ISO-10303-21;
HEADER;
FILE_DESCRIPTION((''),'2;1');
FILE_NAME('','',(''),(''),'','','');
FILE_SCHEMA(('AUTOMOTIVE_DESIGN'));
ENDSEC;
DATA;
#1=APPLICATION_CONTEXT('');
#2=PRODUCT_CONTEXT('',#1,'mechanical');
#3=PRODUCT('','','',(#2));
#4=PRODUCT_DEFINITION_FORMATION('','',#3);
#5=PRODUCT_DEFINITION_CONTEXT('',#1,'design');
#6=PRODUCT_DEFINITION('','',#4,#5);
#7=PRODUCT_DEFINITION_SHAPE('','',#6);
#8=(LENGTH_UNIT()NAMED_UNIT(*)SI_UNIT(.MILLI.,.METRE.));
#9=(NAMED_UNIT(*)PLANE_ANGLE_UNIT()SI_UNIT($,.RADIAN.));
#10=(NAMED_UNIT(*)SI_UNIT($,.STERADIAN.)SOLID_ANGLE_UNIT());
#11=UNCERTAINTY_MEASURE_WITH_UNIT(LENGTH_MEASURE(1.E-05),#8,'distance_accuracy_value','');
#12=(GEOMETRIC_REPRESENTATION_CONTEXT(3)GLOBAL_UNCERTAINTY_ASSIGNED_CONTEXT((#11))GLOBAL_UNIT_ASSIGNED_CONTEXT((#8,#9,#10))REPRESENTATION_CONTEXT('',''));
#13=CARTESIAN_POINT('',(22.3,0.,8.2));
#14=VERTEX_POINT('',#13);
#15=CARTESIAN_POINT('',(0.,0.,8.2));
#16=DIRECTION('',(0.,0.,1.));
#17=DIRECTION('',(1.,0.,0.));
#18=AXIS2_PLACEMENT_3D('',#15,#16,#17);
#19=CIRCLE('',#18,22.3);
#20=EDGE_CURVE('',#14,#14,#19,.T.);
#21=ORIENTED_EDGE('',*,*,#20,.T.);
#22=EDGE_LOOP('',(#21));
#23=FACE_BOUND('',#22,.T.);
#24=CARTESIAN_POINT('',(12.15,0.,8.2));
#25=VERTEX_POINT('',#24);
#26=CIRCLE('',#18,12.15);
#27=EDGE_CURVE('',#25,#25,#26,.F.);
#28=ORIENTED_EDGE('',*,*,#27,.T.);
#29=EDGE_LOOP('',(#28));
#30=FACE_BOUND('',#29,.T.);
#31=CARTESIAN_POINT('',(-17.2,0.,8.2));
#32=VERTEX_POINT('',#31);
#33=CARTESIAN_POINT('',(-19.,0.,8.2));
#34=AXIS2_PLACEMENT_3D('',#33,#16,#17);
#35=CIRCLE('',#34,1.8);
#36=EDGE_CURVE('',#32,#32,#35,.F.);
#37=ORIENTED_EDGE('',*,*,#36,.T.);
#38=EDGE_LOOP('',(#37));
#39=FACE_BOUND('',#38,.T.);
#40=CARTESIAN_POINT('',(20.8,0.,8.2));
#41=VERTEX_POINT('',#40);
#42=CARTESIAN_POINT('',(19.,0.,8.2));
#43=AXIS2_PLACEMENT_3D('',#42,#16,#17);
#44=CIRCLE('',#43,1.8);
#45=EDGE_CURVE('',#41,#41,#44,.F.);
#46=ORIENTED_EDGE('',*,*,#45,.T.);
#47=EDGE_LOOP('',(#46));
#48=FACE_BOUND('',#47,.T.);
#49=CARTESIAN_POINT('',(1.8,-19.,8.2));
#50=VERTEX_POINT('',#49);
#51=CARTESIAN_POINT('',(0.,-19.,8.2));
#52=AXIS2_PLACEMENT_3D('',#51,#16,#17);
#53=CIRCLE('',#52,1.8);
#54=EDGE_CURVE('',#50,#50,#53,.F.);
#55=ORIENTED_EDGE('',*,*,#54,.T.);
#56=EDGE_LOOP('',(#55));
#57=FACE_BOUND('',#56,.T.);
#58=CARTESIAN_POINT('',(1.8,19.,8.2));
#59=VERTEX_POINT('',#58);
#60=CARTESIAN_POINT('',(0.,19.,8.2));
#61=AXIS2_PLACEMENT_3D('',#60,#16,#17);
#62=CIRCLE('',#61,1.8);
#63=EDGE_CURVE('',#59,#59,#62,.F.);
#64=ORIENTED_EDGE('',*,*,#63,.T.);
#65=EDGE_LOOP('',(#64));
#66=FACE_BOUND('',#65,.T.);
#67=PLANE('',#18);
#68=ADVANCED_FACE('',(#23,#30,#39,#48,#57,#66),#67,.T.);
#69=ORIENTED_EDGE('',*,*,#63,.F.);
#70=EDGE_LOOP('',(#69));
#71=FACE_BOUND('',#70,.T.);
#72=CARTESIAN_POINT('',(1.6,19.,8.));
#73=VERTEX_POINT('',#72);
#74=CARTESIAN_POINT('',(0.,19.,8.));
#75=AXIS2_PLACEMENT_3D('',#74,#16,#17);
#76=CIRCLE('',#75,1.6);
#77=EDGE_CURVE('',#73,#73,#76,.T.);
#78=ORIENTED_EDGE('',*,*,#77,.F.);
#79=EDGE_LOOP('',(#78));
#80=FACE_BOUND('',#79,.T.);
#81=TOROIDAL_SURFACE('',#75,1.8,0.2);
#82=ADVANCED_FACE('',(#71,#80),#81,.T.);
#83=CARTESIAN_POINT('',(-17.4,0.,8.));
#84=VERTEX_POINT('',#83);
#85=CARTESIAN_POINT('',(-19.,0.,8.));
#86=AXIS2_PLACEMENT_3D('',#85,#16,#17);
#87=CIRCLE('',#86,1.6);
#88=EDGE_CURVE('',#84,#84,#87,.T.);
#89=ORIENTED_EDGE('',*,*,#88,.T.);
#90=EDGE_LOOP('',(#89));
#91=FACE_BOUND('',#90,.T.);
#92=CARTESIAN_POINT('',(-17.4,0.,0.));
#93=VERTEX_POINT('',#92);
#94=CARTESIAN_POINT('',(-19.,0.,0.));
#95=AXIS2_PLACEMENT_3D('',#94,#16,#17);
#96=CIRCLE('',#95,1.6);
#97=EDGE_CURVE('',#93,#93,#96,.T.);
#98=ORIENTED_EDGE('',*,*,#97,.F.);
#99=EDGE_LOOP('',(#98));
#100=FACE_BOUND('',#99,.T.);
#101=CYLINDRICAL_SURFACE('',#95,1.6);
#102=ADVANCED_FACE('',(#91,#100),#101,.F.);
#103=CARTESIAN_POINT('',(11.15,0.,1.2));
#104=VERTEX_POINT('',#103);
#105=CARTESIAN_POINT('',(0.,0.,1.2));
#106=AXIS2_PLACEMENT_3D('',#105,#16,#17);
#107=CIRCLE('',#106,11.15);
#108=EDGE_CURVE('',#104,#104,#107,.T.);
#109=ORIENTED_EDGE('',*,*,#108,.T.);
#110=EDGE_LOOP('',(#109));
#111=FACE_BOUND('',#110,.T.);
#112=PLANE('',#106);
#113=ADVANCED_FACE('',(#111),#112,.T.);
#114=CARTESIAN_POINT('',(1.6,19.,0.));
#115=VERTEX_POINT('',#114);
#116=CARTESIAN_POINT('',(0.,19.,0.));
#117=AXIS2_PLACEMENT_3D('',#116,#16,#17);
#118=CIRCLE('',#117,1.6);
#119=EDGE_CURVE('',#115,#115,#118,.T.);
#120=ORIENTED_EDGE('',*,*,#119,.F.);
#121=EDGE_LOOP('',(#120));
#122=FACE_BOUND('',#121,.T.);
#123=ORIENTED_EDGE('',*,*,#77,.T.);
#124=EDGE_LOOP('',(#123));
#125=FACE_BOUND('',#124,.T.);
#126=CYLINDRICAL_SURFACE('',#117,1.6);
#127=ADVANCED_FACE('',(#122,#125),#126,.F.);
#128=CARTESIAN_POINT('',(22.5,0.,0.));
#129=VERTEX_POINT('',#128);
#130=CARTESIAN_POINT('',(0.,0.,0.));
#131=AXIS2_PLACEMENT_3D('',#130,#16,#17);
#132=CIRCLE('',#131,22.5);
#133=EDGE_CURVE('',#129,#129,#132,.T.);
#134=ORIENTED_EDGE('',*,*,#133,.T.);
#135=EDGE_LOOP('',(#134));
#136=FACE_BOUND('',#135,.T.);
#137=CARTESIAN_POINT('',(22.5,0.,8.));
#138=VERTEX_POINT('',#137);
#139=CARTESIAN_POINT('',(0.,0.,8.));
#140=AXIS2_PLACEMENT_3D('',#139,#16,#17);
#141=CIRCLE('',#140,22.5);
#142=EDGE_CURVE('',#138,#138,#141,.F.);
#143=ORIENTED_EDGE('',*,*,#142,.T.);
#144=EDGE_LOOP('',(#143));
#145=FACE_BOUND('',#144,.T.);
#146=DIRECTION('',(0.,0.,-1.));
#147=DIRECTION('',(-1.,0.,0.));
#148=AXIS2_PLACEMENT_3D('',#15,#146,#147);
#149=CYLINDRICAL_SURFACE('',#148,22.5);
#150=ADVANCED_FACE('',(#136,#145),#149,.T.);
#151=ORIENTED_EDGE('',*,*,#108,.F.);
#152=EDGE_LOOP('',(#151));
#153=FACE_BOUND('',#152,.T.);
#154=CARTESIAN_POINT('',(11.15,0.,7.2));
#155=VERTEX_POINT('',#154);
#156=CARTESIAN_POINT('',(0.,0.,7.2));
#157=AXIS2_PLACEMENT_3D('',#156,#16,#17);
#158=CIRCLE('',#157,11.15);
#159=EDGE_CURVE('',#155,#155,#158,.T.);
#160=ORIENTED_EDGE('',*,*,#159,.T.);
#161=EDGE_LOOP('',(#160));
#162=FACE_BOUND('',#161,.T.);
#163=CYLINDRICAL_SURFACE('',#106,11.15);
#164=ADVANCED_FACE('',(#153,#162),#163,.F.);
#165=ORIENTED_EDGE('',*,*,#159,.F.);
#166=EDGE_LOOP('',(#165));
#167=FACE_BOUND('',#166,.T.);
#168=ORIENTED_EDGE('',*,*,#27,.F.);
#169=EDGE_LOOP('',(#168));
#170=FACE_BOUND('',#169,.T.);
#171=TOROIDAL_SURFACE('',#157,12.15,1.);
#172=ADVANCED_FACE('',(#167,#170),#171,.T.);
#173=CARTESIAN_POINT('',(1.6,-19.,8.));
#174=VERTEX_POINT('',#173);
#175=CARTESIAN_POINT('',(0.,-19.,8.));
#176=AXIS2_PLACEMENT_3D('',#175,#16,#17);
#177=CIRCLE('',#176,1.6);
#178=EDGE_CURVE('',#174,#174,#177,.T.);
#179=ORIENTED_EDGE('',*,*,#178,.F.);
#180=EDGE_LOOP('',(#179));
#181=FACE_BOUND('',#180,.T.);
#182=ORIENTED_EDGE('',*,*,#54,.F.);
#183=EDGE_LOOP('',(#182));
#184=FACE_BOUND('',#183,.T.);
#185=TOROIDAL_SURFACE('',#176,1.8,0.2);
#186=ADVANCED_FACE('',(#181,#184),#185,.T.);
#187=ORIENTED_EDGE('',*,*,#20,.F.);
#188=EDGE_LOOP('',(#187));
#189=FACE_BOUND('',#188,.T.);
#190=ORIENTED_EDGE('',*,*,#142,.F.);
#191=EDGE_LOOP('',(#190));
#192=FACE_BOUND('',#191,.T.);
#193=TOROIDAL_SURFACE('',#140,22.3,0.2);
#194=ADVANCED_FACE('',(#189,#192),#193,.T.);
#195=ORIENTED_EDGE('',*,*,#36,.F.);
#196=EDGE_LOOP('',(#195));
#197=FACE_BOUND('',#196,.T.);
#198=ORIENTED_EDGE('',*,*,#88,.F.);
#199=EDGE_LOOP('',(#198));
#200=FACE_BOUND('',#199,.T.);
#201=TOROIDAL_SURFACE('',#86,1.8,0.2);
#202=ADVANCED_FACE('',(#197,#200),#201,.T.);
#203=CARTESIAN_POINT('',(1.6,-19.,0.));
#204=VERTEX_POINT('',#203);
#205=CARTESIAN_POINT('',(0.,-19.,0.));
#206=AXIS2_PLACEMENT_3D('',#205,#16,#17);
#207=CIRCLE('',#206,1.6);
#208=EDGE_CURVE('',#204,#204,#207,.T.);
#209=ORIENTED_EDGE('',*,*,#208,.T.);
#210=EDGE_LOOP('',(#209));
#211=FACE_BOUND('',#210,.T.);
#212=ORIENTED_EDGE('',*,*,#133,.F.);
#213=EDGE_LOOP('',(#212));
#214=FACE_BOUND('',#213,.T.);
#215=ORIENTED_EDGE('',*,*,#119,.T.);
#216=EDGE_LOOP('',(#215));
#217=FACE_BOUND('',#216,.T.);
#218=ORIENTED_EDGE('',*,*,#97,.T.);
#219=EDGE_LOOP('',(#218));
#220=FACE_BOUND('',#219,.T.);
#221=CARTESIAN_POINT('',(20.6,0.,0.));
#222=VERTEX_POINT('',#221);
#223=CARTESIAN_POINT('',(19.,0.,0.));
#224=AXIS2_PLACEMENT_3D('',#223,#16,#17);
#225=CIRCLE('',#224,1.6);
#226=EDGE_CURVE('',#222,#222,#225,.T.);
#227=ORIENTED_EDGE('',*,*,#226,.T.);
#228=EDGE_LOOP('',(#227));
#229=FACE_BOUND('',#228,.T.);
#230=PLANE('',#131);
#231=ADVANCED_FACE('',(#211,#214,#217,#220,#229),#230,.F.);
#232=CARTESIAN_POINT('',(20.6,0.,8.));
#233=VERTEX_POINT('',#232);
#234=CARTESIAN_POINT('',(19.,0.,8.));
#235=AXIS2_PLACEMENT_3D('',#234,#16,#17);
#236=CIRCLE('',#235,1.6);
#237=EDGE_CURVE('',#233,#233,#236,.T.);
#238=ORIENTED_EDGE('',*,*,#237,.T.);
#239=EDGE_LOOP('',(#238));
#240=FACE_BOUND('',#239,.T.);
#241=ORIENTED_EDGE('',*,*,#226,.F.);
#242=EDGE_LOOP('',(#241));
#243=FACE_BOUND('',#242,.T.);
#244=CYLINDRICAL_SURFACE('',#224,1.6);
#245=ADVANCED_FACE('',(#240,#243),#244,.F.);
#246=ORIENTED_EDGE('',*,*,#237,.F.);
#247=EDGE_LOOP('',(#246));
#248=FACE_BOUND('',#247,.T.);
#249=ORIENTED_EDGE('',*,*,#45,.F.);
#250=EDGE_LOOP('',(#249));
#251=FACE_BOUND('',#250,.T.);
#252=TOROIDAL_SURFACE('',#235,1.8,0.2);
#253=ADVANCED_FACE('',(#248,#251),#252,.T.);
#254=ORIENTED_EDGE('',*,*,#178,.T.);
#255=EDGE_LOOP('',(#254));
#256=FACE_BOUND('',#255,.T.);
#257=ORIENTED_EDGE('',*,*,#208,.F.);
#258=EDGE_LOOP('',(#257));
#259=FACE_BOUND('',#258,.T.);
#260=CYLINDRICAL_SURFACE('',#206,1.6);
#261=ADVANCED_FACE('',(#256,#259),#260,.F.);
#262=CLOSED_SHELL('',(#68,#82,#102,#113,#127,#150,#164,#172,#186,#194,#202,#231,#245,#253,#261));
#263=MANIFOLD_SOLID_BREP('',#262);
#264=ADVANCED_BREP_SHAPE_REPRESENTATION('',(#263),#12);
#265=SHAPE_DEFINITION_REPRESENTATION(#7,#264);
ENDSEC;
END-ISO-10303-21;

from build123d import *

# Parameters (mm, degrees)
SKETCH1_R           = 22.5
BOSS_EXTRUDE1_DEPTH = 8.2
SKETCH2_R           = 11.15
CUT_EXTRUDE1_DEPTH  = 7
SKETCH3_R           = 1.6
CUT_EXTRUDE2_DEPTH  = 33.859397438
FILLET1_R           = 1
FILLET2_R           = 0.2


with BuildPart() as part:
    # Sketch1 → Boss-Extrude1 (new body)
    with BuildSketch(Plane.XY):
        Circle(SKETCH1_R)
    extrude(amount=BOSS_EXTRUDE1_DEPTH)

    # Sketch2 → Cut-Extrude1 (cut)
    with BuildSketch(Plane.XY.offset(8.2)):
        Circle(SKETCH2_R)
    extrude(amount=-CUT_EXTRUDE1_DEPTH, mode=Mode.SUBTRACT)

    # Sketch3 → Cut-Extrude2 (cut, through all)
    with BuildSketch(Plane.XY.offset(8.2)):
        with Locations((-19, 0)):
            Circle(SKETCH3_R)
        with Locations((0, 19)):
            Circle(SKETCH3_R)
        with Locations((19, 0)):
            Circle(SKETCH3_R)
        with Locations((0, -19)):
            Circle(SKETCH3_R)
    extrude(amount=-CUT_EXTRUDE2_DEPTH, mode=Mode.SUBTRACT)

    # Fillet1
    fillet1_edges = [part.edges().sort_by_distance(p)[0] for p in [
        (-11.15, 0, 8.2),
    ]]
    fillet(fillet1_edges, radius=FILLET1_R)

    # Fillet2
    fillet2_edges = [part.edges().sort_by_distance(p)[0] for p in [
        (-20.6, 0, 8.2),
        (-1.6, 19, 8.2),
        (17.4, 0, 8.2),
        (-1.6, -19, 8.2),
        (-22.5, 0, 8.2),
    ]]
    fillet(fillet2_edges, radius=FILLET2_R)


solid = part.part
